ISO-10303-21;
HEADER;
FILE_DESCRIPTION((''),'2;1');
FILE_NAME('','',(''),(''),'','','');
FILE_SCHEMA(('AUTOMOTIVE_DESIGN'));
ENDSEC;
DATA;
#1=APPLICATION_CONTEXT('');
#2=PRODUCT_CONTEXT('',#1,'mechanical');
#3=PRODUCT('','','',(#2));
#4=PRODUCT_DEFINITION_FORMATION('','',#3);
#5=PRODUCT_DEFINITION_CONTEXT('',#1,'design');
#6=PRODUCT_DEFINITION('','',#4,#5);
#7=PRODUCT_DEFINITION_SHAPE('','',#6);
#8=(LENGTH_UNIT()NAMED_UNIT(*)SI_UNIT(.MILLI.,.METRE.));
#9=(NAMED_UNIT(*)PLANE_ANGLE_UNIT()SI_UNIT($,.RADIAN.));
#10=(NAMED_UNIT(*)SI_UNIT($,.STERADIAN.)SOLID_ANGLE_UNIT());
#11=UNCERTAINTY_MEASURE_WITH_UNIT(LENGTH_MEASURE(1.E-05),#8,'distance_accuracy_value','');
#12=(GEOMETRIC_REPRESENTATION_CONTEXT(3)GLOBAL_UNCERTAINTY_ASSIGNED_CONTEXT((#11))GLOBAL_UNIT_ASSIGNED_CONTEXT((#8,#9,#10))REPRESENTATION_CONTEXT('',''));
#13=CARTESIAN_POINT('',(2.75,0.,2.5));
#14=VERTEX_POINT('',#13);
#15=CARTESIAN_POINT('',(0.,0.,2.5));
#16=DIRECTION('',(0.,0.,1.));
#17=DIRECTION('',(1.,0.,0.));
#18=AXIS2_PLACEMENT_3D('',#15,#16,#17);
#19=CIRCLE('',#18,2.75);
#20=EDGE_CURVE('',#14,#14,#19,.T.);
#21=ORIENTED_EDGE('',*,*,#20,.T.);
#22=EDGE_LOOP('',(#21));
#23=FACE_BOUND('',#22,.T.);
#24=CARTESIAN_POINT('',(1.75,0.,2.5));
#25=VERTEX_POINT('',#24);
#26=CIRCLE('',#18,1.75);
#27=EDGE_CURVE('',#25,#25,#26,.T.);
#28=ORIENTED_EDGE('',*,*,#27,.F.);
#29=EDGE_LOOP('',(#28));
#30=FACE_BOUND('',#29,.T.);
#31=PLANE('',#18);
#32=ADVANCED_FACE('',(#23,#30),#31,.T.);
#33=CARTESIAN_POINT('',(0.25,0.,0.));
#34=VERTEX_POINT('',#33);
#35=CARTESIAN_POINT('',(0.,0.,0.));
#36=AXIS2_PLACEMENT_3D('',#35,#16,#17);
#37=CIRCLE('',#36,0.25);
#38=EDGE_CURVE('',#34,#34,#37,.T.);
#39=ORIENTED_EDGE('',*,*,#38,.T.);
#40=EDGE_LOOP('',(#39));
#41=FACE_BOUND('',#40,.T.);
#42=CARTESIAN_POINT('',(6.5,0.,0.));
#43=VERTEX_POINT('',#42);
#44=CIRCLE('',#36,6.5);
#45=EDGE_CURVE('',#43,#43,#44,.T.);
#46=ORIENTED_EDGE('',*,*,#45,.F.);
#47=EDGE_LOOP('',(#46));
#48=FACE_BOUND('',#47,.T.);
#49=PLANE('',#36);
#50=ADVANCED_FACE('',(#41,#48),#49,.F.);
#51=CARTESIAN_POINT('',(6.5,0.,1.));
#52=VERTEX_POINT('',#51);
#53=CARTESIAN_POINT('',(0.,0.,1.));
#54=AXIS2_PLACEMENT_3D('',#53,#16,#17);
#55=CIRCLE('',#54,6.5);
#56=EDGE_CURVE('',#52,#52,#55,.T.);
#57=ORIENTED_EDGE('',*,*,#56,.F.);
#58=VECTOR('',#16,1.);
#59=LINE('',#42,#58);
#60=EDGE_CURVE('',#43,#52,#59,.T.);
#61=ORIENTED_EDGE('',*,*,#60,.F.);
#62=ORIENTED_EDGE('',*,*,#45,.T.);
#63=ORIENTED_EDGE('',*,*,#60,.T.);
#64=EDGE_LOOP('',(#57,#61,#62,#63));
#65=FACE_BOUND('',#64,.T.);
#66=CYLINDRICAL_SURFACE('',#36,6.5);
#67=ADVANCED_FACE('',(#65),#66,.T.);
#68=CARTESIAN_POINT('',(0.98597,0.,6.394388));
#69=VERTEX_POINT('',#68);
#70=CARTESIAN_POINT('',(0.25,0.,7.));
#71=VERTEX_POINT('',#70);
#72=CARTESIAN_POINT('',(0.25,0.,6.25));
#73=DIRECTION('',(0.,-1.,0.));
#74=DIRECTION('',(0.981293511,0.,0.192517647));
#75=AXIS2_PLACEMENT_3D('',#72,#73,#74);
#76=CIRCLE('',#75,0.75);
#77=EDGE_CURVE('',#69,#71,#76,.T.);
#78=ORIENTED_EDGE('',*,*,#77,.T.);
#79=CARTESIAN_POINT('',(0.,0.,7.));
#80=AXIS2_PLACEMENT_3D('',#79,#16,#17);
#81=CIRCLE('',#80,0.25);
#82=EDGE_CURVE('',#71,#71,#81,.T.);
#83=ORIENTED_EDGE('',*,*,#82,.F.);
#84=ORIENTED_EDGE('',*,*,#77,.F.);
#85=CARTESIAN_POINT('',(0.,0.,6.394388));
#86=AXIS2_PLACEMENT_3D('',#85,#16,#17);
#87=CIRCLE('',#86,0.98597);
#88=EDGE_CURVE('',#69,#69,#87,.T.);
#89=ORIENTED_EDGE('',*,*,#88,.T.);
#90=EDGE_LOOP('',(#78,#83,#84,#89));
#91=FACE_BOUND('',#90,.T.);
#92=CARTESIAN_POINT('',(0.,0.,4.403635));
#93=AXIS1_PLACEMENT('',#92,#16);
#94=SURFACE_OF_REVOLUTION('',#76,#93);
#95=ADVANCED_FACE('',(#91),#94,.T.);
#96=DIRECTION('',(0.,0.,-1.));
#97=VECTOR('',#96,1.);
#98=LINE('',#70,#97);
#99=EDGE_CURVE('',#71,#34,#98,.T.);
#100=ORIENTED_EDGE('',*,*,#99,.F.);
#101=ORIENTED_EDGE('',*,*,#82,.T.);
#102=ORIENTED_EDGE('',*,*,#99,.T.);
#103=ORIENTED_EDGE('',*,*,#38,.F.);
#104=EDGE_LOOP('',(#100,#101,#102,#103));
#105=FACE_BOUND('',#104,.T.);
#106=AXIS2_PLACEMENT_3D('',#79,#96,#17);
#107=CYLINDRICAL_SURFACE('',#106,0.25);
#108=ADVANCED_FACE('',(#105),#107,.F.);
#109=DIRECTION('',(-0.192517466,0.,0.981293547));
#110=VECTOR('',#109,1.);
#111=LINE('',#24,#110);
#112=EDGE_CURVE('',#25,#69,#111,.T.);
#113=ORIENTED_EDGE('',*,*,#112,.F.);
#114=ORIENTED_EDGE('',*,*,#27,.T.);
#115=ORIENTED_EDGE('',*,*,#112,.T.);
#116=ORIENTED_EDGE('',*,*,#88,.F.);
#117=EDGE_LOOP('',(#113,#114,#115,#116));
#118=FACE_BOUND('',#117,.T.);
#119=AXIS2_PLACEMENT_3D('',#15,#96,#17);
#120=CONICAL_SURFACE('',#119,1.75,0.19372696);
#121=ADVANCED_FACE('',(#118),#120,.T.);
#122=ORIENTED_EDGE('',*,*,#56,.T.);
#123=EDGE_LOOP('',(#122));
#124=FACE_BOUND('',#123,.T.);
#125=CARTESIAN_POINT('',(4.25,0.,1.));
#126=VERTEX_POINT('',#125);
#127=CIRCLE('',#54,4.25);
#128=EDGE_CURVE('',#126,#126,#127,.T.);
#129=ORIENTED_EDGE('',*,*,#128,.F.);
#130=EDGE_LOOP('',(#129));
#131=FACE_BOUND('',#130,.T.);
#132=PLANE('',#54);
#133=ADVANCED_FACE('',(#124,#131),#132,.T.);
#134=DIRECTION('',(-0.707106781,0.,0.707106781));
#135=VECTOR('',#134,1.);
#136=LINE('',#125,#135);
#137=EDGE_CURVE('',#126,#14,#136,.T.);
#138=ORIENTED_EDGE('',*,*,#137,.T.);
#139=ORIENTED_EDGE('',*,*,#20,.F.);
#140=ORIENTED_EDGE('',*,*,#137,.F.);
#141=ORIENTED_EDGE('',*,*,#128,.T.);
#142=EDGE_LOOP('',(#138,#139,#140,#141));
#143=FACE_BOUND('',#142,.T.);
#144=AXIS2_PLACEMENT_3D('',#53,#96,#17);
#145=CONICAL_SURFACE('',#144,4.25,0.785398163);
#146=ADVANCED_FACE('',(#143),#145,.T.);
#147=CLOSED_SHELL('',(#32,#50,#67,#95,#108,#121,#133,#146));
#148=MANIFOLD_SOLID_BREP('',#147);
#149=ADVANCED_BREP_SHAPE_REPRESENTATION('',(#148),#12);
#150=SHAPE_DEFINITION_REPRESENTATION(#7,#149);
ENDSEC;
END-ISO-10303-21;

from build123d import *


with BuildPart() as f1:
    # F0 (on Front) → F1 (revolve)
    with BuildSketch(Plane.XZ):
        with BuildLine():
            Line((0.25, 7), (0.25, 0))
            Line((0.25, 0), (6.5, 0))
            Line((6.5, 0), (6.5, 1))
            Line((6.5, 1), (4.25, 1))
            Line((4.25, 1), (2.75, 2.5))
            Line((2.75, 2.5), (1.75, 2.5))
            Line((1.75, 2.5), (0.98597, 6.394388))
            ThreePointArc((0.98597, 6.394388), (0.726555, 6.829133), (0.25, 7))
        make_face()
    revolve(axis=Axis((0, 0, 4.403635), (0, 0, 1)))


solid = f1.part
